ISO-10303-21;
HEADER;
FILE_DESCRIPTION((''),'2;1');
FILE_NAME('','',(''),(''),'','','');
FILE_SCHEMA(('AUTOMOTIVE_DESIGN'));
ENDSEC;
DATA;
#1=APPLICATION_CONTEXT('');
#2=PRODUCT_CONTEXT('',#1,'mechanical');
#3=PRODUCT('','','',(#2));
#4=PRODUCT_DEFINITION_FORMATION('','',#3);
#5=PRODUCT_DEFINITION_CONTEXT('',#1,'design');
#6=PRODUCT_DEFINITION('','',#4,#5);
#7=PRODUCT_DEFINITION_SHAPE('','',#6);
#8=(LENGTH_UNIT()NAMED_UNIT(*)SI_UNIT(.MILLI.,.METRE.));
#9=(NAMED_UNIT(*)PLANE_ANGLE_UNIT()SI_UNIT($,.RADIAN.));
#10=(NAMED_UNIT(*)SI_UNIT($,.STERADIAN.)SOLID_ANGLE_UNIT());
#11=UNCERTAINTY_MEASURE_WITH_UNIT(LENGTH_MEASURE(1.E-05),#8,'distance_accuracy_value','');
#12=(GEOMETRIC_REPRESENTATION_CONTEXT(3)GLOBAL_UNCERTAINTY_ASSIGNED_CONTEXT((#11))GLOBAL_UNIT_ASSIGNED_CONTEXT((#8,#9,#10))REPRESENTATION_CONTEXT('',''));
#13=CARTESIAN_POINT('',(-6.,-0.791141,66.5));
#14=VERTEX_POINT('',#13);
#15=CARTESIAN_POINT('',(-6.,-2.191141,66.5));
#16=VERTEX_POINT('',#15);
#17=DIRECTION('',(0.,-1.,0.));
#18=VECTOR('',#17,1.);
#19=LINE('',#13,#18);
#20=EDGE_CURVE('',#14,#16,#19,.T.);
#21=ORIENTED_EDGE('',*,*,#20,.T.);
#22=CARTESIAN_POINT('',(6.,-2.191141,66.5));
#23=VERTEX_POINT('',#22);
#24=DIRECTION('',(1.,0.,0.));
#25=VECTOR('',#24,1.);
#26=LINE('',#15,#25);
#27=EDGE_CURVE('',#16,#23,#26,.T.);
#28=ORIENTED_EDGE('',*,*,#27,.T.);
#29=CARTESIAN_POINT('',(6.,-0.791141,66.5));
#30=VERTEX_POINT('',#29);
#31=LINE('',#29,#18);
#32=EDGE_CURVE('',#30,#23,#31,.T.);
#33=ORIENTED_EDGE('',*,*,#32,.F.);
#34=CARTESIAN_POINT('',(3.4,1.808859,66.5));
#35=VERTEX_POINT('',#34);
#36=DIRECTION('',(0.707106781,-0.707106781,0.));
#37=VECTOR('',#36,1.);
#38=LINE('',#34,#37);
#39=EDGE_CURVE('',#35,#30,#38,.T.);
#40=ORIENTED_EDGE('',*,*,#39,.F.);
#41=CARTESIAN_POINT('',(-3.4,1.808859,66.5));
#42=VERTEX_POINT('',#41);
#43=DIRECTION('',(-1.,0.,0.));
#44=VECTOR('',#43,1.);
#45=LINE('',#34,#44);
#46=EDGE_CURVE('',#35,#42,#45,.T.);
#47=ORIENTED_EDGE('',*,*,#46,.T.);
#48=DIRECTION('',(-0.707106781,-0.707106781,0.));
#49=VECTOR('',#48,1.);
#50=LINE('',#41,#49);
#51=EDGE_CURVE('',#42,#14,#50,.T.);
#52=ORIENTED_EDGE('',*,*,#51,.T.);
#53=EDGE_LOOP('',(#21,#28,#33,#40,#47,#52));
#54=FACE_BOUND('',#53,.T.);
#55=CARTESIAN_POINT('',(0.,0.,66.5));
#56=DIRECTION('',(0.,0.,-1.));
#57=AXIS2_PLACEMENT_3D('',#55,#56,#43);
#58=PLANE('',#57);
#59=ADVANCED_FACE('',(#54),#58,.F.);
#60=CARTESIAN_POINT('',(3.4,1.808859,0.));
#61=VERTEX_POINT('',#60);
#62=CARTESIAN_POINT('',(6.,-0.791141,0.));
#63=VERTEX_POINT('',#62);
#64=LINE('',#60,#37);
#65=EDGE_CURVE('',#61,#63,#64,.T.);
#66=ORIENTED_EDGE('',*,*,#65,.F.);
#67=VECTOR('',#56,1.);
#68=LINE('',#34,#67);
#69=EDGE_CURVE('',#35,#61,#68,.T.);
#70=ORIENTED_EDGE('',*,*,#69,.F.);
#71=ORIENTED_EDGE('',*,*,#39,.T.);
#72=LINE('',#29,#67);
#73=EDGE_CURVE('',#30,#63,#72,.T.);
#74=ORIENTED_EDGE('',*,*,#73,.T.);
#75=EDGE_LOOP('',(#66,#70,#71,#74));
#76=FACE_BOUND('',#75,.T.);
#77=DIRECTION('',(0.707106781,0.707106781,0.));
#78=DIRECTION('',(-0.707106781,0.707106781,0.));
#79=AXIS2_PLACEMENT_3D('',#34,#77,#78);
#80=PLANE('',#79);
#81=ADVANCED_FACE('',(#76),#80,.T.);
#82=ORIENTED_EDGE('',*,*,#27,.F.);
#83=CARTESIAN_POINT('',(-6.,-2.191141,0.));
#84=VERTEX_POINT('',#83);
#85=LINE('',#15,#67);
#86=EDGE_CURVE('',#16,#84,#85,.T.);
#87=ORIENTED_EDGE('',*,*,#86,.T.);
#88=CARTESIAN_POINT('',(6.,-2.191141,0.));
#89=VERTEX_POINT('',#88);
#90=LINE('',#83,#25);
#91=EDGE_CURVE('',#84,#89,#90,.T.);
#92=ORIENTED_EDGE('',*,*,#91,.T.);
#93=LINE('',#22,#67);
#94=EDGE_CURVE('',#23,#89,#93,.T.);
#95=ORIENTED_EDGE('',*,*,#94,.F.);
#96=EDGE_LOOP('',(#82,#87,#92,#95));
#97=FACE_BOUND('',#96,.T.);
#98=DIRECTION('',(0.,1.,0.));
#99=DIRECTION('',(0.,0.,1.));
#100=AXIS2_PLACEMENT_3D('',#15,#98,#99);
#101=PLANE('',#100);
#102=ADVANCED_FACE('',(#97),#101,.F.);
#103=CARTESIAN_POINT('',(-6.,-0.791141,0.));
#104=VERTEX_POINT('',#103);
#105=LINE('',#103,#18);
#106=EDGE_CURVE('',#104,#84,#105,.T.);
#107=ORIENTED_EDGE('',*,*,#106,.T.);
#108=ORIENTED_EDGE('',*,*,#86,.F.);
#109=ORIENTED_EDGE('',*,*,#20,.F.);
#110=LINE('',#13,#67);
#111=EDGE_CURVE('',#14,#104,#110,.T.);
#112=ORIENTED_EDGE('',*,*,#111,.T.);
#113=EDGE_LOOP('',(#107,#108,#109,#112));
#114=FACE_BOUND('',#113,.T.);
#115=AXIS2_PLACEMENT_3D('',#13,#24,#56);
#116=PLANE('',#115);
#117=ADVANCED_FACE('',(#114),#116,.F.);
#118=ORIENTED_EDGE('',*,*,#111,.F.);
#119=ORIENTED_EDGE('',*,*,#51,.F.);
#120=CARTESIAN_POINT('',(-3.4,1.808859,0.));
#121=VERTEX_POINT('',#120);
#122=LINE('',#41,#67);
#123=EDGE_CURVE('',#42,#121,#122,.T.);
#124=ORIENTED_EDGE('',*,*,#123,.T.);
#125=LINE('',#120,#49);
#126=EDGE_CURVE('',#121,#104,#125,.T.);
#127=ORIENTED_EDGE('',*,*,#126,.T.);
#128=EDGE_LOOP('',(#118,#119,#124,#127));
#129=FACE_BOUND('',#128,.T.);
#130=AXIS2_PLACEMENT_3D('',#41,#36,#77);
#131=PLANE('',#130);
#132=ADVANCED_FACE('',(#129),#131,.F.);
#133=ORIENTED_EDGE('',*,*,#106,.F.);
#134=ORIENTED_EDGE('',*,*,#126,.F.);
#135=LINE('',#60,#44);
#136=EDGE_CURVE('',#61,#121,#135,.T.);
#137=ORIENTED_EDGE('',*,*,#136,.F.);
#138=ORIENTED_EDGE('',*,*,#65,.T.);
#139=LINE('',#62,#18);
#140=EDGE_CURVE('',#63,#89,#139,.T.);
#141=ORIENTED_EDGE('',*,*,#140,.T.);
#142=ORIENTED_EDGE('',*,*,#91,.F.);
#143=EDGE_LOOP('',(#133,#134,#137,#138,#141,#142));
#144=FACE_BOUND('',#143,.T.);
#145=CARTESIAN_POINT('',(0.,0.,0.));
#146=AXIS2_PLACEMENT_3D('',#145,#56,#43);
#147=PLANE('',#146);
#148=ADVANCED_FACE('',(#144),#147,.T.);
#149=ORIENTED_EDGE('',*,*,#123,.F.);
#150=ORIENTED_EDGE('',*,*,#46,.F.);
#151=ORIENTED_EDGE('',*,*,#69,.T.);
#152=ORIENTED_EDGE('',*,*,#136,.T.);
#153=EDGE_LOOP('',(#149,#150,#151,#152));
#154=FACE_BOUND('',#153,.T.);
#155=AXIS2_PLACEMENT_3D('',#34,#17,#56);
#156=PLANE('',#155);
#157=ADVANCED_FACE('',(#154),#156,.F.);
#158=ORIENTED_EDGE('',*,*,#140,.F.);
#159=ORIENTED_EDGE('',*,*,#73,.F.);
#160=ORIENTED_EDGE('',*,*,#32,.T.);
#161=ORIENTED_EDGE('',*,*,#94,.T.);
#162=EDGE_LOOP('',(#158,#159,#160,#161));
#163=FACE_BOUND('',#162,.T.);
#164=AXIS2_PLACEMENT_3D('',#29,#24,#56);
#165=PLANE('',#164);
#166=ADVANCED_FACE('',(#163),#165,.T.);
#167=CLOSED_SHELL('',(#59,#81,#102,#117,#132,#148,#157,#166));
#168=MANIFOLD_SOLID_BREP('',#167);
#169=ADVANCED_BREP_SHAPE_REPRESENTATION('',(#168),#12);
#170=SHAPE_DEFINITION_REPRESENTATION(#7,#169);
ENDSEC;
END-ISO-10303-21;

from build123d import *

# Parameters (mm, degrees)
AUFSATZ_LINEAR_AUSTRAGEN1_DEPTH = 66.5


with BuildPart() as part:
    # Skizze1 → Aufsatz-Linear austragen1 (new body)
    with BuildSketch(Plane.XY):
        Polygon((3.4, 1.808858787), (-3.4, 1.808858787), (-6, -0.791141213), (-6, -2.191141213), (6, -2.191141213), (6, -0.791141213), align=None)
    extrude(amount=AUFSATZ_LINEAR_AUSTRAGEN1_DEPTH)


solid = part.part
